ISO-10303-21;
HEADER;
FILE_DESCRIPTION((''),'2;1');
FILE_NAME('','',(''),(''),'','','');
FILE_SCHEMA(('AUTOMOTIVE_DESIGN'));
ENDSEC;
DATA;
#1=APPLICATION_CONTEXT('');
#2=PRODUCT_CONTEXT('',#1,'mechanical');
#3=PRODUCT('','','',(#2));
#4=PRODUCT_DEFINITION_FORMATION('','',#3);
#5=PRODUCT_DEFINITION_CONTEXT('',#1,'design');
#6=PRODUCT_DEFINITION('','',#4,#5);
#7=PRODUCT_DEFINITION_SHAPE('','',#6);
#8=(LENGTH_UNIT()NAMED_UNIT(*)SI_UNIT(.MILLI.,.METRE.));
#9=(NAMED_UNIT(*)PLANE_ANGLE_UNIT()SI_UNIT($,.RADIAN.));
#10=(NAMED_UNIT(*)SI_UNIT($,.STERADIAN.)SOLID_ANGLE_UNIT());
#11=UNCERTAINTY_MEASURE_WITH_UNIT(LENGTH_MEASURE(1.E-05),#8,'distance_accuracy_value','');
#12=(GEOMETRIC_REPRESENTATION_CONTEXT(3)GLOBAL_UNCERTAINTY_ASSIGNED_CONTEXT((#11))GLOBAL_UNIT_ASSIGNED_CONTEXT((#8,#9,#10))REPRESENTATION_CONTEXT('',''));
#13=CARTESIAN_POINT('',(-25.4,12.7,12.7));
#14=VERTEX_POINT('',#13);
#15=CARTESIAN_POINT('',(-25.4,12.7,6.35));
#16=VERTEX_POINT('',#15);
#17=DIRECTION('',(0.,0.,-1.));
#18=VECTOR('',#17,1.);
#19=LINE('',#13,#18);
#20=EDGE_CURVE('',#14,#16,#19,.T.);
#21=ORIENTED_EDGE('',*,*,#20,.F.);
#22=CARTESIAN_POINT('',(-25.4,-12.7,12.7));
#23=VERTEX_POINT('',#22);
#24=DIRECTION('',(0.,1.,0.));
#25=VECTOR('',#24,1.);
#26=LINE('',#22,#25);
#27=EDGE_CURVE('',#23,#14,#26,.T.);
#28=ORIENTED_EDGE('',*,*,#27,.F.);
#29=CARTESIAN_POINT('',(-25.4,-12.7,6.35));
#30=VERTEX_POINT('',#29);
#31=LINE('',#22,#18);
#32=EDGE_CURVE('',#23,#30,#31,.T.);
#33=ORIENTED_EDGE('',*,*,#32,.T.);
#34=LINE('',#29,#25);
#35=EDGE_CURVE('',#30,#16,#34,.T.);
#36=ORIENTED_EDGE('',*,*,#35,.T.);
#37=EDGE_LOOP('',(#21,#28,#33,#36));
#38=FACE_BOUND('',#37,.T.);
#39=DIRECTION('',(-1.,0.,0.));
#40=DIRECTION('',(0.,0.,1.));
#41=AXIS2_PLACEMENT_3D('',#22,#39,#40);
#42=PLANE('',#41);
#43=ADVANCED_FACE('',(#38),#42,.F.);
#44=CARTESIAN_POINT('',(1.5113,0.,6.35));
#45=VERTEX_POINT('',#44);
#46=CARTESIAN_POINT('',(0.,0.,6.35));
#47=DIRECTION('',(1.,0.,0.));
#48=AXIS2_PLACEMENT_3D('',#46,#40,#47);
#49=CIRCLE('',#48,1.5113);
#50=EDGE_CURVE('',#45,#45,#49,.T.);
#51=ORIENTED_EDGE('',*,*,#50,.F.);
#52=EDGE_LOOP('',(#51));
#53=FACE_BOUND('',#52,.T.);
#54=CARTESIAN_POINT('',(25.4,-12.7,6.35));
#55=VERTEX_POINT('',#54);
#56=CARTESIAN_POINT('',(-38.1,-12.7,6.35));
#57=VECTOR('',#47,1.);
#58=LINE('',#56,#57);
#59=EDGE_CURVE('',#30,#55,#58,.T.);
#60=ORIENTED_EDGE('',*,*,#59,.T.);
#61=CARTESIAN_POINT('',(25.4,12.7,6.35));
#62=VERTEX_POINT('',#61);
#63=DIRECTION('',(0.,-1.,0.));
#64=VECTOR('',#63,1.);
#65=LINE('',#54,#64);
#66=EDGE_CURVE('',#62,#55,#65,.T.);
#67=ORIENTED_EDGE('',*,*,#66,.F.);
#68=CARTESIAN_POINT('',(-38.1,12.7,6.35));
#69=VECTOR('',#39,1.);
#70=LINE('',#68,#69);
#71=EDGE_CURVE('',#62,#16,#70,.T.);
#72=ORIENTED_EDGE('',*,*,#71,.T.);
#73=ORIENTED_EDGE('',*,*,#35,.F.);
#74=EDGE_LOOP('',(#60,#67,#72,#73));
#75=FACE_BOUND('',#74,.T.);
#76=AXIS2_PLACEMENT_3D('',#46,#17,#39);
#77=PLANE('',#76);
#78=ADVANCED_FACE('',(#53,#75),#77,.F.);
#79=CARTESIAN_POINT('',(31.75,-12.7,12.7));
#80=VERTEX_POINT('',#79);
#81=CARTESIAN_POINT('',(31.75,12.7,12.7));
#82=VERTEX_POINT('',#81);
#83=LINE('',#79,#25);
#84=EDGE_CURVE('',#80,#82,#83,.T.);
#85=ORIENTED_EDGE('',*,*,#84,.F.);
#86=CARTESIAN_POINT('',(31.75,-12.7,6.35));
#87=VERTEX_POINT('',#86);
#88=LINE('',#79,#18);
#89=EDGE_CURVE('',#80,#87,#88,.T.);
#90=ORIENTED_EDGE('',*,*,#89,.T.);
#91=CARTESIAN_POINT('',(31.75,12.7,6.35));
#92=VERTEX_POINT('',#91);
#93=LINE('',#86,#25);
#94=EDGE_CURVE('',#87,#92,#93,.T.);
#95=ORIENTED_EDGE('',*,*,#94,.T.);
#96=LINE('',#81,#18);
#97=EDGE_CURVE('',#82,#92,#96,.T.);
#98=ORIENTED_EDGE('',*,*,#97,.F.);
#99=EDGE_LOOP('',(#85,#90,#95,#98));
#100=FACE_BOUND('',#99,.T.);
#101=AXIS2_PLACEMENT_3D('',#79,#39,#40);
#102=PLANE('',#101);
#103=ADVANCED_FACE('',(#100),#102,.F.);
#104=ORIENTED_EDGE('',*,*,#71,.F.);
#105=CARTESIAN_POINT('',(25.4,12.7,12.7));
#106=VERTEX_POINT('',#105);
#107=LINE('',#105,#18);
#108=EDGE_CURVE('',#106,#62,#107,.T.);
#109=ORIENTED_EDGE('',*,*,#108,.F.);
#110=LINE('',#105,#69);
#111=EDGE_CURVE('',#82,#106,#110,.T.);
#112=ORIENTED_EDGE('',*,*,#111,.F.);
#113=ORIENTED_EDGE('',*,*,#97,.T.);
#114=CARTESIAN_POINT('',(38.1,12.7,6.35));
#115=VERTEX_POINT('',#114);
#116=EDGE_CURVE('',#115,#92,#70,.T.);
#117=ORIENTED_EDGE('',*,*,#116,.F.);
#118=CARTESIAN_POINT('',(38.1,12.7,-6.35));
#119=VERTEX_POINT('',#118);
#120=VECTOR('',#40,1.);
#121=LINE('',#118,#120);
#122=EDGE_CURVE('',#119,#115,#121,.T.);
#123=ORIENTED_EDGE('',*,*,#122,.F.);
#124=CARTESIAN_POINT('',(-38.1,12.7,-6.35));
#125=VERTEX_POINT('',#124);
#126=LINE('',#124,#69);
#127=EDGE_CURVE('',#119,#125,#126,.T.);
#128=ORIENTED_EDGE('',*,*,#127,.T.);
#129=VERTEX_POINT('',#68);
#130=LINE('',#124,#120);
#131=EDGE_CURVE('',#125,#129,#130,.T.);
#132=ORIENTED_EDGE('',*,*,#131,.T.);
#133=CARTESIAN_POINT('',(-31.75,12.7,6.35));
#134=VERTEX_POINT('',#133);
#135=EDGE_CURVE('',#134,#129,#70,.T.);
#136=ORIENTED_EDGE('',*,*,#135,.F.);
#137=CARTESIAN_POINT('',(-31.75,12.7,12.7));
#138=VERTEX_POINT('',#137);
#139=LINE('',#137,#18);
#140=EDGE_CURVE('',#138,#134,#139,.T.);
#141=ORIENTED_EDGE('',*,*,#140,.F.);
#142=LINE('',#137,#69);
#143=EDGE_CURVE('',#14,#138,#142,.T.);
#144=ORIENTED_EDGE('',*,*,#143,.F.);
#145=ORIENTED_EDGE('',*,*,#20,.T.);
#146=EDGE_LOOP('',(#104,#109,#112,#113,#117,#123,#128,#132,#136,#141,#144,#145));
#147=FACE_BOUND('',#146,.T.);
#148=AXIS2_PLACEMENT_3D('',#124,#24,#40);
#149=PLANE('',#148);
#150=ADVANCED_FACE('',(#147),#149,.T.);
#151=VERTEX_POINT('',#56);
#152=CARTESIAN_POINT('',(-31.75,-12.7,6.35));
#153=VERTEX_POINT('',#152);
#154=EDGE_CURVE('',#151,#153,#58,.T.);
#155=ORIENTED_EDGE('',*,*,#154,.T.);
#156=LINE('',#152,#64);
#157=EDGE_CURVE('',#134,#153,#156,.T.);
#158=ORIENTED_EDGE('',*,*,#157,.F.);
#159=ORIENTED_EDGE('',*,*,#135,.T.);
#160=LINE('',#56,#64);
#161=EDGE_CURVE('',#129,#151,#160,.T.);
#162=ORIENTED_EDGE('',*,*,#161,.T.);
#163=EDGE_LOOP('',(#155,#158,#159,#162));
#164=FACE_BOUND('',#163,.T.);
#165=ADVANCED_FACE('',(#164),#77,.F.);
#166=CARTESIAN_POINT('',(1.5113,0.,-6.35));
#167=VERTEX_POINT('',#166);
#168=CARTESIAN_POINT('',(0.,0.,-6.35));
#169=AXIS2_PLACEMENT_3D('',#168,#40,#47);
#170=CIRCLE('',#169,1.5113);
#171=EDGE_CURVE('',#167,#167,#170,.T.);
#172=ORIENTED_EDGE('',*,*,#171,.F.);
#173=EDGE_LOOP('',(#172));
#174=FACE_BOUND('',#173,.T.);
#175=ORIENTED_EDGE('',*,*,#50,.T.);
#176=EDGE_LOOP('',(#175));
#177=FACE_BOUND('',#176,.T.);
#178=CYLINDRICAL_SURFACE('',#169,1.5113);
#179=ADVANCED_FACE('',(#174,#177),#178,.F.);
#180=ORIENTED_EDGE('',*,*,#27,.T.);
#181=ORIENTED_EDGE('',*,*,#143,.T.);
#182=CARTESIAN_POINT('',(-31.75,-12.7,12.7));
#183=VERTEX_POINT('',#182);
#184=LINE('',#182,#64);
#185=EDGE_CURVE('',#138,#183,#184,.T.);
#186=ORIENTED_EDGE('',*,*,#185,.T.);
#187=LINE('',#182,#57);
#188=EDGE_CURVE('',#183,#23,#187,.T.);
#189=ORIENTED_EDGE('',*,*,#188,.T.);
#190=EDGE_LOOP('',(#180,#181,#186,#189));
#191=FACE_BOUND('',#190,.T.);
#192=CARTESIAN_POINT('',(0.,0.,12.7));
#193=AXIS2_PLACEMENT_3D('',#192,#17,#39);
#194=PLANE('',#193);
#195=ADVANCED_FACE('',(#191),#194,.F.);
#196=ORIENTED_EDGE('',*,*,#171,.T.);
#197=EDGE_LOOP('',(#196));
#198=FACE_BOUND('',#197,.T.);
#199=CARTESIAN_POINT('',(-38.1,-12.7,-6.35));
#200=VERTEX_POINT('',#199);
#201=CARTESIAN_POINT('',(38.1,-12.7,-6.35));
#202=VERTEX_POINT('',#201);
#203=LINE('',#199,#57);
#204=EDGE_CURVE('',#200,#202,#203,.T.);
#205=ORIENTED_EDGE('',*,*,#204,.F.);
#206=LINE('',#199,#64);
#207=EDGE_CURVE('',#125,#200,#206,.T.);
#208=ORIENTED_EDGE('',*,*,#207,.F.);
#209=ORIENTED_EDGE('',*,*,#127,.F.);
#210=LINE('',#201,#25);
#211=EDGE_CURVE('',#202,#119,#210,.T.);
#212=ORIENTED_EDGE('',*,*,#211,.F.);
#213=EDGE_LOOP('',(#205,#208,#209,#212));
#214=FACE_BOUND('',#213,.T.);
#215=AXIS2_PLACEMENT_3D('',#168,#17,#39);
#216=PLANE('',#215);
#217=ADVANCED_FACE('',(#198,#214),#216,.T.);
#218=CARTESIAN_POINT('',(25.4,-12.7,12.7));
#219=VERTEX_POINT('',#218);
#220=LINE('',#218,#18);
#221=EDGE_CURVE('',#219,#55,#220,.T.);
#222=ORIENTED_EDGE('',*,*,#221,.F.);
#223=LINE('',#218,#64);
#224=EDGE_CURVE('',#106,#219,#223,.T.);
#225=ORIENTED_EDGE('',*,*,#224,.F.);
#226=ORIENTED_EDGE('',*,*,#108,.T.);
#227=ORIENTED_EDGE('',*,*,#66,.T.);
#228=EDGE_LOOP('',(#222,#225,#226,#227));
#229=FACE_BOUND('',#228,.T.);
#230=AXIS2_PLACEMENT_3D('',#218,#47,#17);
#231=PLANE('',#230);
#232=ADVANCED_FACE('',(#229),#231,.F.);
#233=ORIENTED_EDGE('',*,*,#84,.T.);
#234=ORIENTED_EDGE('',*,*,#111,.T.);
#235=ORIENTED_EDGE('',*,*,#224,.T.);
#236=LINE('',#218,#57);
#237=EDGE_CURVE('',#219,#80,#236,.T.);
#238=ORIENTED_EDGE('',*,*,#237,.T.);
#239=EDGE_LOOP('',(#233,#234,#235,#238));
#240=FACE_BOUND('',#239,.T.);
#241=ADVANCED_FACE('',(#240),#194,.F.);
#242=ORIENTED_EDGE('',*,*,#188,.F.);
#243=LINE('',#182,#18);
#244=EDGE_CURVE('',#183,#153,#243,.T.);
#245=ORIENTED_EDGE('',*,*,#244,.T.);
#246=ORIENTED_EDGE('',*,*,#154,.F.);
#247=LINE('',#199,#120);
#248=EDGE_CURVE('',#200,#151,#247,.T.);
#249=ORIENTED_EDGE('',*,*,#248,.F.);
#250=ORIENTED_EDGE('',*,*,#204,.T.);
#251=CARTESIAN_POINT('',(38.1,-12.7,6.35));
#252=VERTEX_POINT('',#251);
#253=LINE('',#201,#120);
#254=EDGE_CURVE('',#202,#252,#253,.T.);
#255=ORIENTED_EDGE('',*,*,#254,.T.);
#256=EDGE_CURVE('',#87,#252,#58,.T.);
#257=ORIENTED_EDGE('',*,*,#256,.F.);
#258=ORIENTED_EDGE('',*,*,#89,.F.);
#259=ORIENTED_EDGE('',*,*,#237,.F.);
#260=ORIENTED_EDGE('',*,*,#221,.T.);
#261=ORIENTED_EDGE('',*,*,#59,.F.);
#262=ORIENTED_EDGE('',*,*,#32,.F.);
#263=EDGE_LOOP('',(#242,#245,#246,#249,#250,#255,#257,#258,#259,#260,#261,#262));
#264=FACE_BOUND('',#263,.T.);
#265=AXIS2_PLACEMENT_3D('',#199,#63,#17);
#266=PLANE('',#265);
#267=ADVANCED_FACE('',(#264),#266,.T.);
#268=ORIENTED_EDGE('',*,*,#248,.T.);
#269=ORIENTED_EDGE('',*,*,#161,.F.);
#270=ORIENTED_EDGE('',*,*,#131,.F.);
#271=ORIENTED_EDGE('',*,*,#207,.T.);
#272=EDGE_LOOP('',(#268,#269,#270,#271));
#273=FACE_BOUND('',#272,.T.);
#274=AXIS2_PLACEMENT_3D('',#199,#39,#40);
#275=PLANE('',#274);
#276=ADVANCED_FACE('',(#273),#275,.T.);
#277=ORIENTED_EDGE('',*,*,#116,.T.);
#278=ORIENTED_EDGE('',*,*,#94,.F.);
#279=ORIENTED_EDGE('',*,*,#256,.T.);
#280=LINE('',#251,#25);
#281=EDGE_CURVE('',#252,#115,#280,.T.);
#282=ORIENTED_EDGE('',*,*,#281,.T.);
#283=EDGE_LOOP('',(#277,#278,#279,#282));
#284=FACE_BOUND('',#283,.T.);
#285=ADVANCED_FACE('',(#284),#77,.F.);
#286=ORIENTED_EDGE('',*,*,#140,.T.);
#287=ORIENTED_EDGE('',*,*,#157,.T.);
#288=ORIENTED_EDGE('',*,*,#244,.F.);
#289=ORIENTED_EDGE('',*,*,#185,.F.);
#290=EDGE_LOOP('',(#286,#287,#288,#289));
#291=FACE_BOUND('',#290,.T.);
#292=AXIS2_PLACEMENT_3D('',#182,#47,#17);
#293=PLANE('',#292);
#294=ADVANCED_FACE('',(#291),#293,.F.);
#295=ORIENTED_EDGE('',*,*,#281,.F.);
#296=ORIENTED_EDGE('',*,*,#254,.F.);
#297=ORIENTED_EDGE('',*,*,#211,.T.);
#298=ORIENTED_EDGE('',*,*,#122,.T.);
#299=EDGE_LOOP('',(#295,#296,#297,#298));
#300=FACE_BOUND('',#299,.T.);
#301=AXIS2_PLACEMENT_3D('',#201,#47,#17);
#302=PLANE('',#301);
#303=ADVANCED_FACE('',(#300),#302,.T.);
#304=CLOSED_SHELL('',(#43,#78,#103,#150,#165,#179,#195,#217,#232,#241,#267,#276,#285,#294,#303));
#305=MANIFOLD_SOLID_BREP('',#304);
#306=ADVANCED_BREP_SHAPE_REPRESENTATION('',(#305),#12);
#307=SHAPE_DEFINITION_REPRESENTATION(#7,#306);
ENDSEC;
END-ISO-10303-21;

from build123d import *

# Parameters (mm, degrees)
BOSS_EXTRUDE1_DEPTH      = 6.35
BOSS_EXTRUDE1_DEPTH_BACK = 6.35
SKETCH1_W                = 76.2
SKETCH1_H                = 25.4
SKETCH4_W                = 6.35
SKETCH4_H                = 25.4
BOSS_EXTRUDE3_DEPTH      = 6.35
SKETCH6_R                = 1.5113
CUT_EXTRUDE1_DEPTH       = 43.121134838


with BuildPart() as part:
    # Sketch1 → Boss-Extrude1 (new, two sides: drawn at the far end of the back side and taken through both)
    with BuildSketch(Plane.XY.offset(-BOSS_EXTRUDE1_DEPTH_BACK)):
        Rectangle(SKETCH1_W, SKETCH1_H)
    extrude(amount=BOSS_EXTRUDE1_DEPTH + BOSS_EXTRUDE1_DEPTH_BACK)

    # Sketch4 → Boss-Extrude3 (add)
    with BuildSketch(Plane.XY.offset(6.35)):
        with Locations((-28.575, 0)):
            Rectangle(SKETCH4_W, SKETCH4_H)
        with Locations((28.575, 0)):
            Rectangle(SKETCH4_W, SKETCH4_H)
    extrude(amount=BOSS_EXTRUDE3_DEPTH)

    # Sketch6 → Cut-Extrude1 (cut, through all)
    with BuildSketch(Plane.XY.offset(6.35)):
        Circle(SKETCH6_R)
    extrude(amount=-CUT_EXTRUDE1_DEPTH, mode=Mode.SUBTRACT)


solid = part.part
